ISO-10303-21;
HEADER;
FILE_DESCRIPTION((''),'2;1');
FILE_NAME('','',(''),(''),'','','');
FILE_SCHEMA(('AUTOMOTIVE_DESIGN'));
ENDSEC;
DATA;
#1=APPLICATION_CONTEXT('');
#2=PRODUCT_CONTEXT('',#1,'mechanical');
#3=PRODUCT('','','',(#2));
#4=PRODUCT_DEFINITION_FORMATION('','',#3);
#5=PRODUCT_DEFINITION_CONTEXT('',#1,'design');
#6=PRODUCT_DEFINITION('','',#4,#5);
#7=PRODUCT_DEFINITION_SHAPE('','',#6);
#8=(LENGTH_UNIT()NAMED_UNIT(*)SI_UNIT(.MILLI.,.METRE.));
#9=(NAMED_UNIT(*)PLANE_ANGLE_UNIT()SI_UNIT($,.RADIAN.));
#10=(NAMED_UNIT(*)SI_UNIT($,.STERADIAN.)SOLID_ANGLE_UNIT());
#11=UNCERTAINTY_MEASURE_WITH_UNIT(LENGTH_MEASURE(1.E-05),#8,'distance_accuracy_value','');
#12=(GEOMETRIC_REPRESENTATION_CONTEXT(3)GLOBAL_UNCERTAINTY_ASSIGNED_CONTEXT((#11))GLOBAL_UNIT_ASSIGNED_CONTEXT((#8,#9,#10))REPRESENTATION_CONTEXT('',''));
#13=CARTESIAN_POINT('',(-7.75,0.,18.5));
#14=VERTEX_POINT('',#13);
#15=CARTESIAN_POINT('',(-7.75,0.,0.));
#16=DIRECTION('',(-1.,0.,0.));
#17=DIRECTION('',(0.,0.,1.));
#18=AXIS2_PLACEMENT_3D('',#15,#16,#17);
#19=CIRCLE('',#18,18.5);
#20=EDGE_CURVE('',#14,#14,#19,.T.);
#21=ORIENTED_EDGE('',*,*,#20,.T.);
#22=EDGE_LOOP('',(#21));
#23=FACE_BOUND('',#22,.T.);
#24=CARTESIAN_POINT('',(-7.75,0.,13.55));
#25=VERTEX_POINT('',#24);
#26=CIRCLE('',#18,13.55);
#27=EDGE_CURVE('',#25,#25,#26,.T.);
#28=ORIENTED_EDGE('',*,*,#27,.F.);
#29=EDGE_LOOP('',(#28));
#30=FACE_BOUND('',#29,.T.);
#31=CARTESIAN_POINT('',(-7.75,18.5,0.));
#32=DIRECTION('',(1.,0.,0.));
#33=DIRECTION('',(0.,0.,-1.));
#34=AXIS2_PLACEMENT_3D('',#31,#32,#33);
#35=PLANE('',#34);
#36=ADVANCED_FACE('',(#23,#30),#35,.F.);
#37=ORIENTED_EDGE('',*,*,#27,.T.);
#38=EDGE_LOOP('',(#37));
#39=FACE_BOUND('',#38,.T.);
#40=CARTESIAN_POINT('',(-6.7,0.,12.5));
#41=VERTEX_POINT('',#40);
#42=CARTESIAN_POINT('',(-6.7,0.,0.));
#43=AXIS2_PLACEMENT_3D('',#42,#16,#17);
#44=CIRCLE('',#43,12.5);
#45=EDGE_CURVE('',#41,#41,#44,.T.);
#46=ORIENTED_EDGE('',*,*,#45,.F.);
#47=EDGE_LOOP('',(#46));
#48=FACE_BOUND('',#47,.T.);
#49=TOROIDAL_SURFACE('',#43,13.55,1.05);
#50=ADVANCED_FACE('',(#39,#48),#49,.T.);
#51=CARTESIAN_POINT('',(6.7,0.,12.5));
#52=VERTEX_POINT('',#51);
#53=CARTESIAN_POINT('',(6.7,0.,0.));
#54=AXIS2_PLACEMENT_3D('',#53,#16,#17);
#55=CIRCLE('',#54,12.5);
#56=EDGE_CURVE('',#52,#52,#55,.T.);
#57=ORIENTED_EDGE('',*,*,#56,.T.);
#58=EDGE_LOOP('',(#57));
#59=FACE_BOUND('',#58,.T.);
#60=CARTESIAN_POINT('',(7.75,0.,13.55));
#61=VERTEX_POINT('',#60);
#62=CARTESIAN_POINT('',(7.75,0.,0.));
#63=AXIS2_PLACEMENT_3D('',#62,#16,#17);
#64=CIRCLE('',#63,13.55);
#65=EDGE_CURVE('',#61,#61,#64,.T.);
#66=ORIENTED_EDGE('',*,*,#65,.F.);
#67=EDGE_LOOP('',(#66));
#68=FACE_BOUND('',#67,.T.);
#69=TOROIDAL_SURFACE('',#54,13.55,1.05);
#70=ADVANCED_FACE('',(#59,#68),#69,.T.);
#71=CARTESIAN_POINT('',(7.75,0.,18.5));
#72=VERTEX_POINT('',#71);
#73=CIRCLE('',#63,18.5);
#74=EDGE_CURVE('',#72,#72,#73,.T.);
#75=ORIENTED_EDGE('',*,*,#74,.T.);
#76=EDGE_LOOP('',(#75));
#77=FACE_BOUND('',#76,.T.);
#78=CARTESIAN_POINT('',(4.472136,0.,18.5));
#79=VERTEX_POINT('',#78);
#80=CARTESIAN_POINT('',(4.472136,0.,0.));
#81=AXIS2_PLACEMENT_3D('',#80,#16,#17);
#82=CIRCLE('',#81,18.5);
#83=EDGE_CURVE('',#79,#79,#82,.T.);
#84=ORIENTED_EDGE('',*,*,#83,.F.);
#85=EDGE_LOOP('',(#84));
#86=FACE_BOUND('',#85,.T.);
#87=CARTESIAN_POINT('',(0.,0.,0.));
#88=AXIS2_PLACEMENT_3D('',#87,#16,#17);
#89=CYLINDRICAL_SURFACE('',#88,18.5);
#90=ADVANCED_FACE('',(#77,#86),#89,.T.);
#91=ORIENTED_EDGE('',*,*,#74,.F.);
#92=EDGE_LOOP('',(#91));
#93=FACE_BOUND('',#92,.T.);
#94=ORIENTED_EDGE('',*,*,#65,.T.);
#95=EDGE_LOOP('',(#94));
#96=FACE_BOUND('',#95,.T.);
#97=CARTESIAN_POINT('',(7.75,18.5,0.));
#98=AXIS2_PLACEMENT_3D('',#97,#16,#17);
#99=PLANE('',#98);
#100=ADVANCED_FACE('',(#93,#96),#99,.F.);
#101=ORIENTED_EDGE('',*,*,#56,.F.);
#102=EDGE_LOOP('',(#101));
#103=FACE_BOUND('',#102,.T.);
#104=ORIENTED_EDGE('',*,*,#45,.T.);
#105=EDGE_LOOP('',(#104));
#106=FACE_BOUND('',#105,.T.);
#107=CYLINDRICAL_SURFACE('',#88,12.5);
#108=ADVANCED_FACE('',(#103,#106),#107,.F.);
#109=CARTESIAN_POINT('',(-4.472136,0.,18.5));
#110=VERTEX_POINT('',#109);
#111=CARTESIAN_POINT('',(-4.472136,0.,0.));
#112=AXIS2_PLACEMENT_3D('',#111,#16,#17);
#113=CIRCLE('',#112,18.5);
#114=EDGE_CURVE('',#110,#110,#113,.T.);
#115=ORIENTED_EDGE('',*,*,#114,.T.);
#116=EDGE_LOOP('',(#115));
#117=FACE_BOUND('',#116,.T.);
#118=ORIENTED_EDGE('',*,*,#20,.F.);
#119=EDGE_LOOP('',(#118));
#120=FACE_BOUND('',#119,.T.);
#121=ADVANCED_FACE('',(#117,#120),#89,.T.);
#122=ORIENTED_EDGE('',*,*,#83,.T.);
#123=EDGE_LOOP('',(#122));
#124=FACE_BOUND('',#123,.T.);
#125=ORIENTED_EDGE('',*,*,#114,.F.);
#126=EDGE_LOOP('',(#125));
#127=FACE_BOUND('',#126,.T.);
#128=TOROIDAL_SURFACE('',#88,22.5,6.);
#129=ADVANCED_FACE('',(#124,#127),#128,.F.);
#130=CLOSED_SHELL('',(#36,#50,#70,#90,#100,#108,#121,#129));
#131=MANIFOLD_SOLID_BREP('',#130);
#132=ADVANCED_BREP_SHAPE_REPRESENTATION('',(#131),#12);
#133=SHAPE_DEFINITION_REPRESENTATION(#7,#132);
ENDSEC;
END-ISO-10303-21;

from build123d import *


with BuildPart() as part:
    # Sketch1 → Revolve1 (revolve)
    with BuildSketch(Plane.XY, mode=Mode.PRIVATE) as revolve1_sk:
        with BuildLine():
            Line((4.472135955, 18.5), (7.75, 18.5))
            Line((7.75, 18.5), (7.75, 13.55))
            ThreePointArc((7.75, 13.55), (7.44246212, 12.80753788), (6.7, 12.5))
            Line((6.7, 12.5), (-6.7, 12.5))
            ThreePointArc((-6.7, 12.5), (-7.44246212, 12.80753788), (-7.75, 13.55))
            Line((-7.75, 13.55), (-7.75, 18.5))
            Line((-7.75, 18.5), (-4.472135955, 18.5))
            ThreePointArc((-4.472135955, 18.5), (0, 16.5), (4.472135955, 18.5))
        make_face()
    revolve(revolve1_sk.sketch.rotate(Axis((0, 0, 0), (1, 0, 0)), 90), axis=Axis((0, 0, 0), (1, 0, 0)))


solid = part.part
